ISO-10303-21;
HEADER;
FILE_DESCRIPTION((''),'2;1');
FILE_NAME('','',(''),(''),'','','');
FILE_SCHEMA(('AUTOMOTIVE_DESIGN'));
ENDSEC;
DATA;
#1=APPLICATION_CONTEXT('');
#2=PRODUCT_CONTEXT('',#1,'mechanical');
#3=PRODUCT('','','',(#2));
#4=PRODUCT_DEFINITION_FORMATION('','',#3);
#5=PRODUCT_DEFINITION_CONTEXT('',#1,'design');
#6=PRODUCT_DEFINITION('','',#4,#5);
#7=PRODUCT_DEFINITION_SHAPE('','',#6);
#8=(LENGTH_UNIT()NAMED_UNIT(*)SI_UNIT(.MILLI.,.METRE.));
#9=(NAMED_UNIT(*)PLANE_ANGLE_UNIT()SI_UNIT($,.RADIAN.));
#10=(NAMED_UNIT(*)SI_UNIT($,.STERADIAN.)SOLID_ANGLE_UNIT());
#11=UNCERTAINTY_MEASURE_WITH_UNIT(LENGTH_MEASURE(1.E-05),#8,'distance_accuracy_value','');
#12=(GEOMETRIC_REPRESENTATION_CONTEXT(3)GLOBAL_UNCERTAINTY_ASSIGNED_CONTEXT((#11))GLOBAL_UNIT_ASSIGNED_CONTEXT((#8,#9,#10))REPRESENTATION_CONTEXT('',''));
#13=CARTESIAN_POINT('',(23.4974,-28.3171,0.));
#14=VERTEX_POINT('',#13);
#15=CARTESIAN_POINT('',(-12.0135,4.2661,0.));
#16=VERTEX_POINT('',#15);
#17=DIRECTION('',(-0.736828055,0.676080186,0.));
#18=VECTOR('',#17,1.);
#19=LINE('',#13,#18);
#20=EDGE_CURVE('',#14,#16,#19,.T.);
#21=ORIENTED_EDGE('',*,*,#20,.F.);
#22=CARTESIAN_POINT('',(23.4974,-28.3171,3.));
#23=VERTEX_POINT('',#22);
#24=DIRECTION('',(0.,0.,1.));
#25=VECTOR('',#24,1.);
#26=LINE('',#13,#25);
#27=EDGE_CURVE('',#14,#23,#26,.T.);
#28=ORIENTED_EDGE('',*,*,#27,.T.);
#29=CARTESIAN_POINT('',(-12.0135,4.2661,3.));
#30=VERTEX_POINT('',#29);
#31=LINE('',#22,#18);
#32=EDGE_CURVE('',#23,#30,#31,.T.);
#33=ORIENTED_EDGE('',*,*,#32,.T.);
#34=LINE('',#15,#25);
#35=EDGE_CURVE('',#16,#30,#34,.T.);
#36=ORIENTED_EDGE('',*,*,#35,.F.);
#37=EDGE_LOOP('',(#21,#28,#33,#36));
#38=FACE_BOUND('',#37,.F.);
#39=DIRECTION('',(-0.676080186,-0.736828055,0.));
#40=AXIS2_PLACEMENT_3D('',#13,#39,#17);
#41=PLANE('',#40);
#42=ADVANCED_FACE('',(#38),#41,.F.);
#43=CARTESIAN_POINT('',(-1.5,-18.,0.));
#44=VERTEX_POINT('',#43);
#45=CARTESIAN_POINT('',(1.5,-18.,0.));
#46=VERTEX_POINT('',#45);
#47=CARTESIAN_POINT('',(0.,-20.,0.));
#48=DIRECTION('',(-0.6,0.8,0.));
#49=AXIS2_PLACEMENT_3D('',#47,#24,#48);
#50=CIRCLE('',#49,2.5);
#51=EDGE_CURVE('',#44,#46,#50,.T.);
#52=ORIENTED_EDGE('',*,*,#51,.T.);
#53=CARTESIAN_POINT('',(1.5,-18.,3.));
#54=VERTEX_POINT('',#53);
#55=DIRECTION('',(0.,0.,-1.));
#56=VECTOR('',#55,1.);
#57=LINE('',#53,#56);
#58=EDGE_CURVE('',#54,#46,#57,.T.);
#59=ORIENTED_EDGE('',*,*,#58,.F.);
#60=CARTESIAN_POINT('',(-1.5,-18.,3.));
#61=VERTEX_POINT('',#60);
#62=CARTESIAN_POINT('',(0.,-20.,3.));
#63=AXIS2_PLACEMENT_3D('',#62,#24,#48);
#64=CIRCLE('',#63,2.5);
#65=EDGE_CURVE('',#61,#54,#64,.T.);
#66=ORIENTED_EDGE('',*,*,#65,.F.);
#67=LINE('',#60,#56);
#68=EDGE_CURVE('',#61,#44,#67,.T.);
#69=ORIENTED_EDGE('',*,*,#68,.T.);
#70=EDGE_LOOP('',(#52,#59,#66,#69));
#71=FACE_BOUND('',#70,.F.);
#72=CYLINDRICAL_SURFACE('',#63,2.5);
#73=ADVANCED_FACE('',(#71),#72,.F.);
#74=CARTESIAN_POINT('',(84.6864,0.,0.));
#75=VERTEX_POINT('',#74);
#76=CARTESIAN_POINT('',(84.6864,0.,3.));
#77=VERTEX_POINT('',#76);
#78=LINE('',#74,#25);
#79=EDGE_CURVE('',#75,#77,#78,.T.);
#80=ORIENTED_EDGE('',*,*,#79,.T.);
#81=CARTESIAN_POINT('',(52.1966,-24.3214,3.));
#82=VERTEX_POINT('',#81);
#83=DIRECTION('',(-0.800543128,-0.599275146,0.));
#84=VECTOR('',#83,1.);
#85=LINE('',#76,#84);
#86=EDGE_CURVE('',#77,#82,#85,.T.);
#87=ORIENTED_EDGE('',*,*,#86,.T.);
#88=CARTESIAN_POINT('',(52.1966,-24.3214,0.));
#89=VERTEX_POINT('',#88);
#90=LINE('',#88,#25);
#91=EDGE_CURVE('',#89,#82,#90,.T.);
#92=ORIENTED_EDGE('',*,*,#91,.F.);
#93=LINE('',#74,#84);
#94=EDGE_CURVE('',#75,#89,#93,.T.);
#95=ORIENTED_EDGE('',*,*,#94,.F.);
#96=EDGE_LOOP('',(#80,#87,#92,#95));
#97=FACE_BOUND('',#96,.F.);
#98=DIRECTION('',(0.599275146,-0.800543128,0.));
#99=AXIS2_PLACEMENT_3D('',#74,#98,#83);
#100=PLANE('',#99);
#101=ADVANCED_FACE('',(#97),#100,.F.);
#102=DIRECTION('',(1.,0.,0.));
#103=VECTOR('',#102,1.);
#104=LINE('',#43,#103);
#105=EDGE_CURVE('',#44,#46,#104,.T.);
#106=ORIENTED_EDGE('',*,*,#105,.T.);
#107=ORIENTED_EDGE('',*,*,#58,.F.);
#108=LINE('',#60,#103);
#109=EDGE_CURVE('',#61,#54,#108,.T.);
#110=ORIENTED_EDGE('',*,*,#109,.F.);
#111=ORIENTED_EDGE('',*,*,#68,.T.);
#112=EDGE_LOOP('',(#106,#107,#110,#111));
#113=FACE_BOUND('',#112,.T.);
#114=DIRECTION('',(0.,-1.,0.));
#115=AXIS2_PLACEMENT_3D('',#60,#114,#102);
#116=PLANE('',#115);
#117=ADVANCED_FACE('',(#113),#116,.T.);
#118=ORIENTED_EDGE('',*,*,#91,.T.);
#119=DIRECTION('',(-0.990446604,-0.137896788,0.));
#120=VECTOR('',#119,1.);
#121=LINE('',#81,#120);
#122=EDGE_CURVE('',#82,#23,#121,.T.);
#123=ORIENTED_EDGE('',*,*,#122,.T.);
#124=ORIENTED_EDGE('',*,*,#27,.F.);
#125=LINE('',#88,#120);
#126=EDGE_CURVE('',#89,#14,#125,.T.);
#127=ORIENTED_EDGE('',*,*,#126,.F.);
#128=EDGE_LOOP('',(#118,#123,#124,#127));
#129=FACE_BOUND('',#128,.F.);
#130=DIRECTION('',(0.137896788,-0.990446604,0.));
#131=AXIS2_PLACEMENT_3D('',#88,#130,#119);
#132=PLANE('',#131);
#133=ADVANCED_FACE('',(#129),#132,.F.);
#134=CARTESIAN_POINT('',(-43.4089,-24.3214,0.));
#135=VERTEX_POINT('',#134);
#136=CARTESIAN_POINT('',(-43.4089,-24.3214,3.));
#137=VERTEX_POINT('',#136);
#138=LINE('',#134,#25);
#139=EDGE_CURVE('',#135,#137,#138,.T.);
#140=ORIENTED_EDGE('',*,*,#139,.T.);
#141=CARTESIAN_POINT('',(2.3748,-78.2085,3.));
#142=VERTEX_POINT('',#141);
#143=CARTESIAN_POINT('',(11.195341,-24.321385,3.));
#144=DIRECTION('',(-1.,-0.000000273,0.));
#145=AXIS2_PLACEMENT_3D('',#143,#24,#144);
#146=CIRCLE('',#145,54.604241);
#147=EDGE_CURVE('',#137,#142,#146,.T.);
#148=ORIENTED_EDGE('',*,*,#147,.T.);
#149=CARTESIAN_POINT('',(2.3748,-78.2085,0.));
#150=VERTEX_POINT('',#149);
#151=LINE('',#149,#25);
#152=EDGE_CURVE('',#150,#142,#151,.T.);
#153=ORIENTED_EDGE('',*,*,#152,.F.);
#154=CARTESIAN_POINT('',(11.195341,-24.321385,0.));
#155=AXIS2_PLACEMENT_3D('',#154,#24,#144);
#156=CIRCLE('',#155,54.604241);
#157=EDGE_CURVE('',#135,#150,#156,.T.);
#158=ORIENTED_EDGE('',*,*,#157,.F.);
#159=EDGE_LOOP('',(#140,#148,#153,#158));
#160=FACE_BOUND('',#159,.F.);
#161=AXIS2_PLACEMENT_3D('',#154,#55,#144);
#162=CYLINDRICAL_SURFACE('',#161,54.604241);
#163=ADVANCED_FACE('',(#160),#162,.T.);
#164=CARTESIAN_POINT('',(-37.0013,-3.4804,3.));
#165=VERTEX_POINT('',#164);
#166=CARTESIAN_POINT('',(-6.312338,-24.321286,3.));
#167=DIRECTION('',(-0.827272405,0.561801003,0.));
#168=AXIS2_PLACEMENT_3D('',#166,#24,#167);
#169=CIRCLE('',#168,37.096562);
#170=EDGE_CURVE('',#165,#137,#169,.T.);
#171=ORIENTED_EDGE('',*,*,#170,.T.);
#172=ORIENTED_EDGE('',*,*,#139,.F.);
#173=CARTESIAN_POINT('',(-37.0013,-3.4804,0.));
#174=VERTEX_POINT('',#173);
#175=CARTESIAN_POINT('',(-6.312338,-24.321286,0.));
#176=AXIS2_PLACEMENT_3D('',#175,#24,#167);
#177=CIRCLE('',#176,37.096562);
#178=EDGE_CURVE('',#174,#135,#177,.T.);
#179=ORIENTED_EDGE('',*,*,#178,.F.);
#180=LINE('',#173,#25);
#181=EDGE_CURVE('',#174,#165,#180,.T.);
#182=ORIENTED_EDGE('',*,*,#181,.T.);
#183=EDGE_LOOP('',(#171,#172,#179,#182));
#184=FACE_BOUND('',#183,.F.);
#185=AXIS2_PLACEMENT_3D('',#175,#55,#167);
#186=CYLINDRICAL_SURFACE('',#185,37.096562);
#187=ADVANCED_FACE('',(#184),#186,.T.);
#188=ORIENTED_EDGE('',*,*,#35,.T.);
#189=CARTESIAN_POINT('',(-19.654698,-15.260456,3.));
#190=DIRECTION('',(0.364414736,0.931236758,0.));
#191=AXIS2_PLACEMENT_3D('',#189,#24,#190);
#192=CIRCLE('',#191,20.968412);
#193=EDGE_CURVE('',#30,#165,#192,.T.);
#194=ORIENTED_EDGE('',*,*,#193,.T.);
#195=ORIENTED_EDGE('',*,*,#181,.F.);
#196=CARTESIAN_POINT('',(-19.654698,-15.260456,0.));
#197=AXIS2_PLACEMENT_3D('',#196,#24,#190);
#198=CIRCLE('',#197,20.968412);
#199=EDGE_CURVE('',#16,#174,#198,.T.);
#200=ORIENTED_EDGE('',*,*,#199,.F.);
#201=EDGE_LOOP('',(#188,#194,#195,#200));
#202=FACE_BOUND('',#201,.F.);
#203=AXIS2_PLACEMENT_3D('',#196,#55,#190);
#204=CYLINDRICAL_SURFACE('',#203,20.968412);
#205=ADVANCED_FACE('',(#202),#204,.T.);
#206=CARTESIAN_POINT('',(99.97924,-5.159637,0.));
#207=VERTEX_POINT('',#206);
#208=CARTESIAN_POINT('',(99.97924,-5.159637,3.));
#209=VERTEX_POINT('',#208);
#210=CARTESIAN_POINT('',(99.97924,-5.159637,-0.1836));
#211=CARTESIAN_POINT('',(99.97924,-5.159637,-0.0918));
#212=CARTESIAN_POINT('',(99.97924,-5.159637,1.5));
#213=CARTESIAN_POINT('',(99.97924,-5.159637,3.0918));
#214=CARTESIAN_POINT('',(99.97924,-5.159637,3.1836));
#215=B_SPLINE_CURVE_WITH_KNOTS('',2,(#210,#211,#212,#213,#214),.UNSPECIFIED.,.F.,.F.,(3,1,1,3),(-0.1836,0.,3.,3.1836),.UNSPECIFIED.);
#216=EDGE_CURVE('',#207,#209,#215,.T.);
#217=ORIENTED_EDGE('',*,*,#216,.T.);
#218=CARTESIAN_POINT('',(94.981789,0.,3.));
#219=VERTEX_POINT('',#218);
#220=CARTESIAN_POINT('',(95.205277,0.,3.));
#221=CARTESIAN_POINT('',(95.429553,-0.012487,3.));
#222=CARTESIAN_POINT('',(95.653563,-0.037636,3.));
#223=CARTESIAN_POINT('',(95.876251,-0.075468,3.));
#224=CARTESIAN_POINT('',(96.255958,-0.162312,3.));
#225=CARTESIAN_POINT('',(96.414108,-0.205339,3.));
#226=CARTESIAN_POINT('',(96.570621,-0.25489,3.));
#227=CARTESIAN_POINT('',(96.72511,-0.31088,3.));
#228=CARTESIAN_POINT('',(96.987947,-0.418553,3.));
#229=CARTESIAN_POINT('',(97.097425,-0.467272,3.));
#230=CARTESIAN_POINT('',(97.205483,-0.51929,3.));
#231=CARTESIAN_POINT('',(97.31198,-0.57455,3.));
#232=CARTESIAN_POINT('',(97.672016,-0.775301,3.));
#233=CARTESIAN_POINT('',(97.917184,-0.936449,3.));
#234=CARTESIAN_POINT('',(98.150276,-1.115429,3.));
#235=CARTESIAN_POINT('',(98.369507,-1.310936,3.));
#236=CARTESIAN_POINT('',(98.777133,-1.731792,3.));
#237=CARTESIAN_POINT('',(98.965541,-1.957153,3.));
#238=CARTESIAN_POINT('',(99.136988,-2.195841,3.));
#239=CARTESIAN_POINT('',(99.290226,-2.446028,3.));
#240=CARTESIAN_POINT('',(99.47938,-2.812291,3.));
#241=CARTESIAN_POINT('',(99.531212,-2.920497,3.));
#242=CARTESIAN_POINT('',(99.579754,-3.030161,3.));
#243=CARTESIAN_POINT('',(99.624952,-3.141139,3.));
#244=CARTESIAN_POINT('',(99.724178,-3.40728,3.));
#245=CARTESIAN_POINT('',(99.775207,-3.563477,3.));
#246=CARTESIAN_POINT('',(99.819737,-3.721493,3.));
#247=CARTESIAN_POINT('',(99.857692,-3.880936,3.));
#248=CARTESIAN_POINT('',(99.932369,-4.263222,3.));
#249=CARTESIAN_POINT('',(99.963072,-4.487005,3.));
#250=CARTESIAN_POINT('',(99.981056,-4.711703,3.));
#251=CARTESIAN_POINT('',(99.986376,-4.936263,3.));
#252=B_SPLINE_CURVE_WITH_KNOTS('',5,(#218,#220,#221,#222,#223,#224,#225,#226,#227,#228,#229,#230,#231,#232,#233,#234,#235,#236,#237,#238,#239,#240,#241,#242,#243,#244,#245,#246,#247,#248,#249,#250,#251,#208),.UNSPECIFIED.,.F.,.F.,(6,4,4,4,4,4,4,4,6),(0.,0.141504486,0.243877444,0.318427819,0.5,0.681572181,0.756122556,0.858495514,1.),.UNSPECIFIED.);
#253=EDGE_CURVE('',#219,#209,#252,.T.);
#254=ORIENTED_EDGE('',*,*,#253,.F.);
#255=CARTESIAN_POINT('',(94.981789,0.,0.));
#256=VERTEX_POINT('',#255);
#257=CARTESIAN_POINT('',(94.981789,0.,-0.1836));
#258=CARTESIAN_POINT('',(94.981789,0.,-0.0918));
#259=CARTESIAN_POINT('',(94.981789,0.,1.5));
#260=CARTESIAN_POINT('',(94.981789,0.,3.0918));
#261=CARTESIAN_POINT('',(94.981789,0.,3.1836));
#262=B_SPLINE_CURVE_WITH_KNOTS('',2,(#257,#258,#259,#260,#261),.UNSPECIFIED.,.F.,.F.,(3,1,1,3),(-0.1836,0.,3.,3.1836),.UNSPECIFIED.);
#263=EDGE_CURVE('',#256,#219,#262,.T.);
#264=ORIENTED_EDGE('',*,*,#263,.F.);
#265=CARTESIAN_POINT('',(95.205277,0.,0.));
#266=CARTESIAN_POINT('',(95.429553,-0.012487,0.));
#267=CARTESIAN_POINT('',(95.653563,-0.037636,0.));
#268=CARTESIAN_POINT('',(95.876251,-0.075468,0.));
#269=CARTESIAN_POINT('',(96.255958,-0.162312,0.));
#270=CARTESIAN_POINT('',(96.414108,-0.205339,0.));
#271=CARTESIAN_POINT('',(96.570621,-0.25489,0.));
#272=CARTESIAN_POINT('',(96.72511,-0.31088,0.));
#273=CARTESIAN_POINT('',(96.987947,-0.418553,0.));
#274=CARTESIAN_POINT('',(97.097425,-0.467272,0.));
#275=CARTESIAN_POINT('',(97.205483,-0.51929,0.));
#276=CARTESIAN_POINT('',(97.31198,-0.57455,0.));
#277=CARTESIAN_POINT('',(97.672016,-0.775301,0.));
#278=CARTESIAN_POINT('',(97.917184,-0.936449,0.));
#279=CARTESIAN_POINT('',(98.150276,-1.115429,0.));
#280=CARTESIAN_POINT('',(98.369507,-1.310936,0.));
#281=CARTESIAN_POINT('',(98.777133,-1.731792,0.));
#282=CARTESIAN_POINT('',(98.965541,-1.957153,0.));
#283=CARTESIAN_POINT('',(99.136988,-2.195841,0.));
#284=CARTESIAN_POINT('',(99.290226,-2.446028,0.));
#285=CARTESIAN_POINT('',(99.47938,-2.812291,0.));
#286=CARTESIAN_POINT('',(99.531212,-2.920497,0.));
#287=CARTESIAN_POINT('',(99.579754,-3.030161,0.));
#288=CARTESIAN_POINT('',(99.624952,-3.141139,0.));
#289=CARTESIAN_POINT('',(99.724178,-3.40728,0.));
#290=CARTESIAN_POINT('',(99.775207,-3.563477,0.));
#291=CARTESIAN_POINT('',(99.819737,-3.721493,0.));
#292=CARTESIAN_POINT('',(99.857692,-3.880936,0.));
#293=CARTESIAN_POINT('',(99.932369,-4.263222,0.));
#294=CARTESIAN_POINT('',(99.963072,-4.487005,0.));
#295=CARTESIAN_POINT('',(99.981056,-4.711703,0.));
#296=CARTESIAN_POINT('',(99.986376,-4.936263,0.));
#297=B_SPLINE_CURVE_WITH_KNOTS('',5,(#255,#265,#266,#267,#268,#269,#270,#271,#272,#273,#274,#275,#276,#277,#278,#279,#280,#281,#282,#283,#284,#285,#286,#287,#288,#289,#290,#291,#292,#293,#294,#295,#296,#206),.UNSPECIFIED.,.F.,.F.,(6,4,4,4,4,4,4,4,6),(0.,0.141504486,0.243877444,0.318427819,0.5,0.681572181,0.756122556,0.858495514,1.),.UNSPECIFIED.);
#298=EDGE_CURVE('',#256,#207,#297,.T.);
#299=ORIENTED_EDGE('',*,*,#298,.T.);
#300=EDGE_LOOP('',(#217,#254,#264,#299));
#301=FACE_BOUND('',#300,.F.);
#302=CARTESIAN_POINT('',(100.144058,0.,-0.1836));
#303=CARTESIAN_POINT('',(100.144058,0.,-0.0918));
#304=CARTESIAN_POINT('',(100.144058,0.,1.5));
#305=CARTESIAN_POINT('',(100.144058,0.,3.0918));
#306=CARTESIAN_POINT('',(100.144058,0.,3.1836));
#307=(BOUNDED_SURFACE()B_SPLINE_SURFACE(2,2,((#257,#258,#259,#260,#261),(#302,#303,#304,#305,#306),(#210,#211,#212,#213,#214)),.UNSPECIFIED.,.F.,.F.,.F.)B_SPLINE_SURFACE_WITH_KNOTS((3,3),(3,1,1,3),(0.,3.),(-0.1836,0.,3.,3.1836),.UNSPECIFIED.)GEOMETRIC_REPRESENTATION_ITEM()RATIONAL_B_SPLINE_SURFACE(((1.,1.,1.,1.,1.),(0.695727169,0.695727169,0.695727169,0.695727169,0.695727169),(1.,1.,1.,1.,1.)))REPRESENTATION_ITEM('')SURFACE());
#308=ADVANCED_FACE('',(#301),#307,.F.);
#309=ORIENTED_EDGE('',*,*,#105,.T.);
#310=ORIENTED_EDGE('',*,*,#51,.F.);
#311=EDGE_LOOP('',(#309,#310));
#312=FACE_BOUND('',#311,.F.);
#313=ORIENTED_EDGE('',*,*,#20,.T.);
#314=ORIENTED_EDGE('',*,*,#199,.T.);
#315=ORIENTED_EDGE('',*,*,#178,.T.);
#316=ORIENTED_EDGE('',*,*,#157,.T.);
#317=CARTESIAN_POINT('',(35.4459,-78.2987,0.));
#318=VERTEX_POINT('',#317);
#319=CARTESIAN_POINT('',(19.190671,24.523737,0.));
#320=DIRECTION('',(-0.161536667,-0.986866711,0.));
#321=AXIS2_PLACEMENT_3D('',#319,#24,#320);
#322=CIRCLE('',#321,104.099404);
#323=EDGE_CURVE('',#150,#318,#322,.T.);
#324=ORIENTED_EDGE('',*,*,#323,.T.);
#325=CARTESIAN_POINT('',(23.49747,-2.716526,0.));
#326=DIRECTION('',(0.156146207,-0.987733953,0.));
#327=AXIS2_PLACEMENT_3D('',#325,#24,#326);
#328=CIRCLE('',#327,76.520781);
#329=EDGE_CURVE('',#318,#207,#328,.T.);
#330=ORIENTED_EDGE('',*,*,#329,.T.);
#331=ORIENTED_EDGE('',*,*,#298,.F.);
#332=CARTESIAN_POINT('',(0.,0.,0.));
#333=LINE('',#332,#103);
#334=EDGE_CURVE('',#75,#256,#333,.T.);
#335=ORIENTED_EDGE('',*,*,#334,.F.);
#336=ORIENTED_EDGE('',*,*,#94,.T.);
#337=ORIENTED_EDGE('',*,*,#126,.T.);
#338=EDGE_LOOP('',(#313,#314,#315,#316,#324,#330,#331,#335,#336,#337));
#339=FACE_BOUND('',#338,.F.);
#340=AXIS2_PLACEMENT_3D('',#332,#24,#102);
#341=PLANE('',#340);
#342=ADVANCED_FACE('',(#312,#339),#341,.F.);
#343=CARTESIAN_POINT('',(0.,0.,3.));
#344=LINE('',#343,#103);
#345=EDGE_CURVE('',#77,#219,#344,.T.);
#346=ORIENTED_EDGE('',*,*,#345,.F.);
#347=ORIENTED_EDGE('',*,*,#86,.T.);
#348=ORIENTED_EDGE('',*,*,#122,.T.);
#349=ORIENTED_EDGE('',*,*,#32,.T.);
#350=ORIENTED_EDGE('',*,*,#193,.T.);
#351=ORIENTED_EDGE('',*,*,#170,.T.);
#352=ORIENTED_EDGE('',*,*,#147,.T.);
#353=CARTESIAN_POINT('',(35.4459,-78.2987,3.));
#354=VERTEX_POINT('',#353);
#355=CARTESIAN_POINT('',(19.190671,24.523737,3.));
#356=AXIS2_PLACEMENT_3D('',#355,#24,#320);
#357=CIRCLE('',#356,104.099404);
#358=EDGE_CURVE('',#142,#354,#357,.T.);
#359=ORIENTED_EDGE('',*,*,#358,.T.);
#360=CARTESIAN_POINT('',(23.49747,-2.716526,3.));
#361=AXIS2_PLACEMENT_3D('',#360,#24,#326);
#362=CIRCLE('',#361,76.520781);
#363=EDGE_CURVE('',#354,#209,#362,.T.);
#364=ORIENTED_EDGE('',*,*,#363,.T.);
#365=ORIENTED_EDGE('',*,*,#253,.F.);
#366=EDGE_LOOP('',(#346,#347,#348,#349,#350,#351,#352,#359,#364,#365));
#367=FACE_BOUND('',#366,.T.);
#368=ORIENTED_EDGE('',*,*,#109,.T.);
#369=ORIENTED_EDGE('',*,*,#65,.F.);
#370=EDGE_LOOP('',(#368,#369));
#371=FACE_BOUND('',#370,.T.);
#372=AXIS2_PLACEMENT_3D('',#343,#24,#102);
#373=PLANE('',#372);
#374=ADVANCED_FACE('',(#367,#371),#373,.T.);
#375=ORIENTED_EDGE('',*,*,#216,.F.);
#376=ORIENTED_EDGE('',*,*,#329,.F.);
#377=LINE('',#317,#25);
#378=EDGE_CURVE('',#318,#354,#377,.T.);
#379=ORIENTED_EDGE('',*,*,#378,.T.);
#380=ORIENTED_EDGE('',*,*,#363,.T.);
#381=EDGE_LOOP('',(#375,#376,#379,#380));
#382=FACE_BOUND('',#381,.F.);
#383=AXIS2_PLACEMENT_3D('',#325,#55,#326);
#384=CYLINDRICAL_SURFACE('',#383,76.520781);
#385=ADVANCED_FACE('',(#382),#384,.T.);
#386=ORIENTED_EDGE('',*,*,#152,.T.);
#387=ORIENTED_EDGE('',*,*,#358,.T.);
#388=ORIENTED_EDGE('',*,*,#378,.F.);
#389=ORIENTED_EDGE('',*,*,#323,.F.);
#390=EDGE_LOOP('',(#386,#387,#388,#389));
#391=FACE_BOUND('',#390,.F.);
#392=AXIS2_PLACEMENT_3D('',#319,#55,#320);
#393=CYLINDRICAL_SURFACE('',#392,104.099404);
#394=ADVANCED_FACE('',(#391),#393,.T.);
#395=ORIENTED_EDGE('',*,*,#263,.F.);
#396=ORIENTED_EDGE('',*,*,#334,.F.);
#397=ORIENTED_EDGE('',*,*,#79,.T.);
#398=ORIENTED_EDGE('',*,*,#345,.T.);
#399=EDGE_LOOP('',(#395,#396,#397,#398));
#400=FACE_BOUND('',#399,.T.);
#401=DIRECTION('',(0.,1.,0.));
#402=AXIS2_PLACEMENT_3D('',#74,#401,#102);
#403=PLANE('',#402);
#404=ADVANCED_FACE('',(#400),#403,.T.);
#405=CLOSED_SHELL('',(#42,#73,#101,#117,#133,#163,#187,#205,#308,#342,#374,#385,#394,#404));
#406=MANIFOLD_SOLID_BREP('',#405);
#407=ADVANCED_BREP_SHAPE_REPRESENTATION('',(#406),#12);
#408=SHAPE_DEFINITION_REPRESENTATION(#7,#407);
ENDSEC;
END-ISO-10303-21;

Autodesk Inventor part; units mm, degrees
ref_plane "YZ Plane" through (0, 0, 0) normal (1, 0, 0) x (0, 1, 0)
ref_plane "XZ Plane" through (0, 0, 0) normal (0, 1, 0) x (-1, 0, 0)
ref_plane "XY Plane" through (0, 0, 0) normal (0, 0, 1) x (1, 0, 0)
sketch "Sketch1" plane through (0, 0, 0) normal (0, 0, 1) x (1, 0, 0)
  line L0 (0, 0) -> (100, 0)
  arc A0 (100.0128, -3.6299) -> (100, 0) centre (-17.3055, -2.2293) ccw
  arc A1 (35.4459, -78.2987) -> (100.0128, -3.6299) centre (23.4974, -2.7164) ccw
  arc A2 (2.3748, -78.2085) -> (35.4459, -78.2987) centre (19.1908, 24.5253) ccw
  arc A3 (-43.4089, -24.3214) -> (2.3748, -78.2085) centre (11.1953, -24.3214) ccw
  arc A4 (-37.0013, -3.4804) -> (-43.4089, -24.3214) centre (-6.3121, -24.3214) ccw
  line L1 (84.6864, 0) -> (52.1966, -24.3214)
  line L2 (52.1966, -24.3214) -> (23.4974, -28.3171)
  line L3 (23.4974, -28.3171) -> (-12.0135, 4.2661)
  arc A5 (-12.0135, 4.2661) -> (-37.0013, -3.4804) centre (-19.6547, -15.2605) ccw
  point P0 (3.9425, 17.9592)
  dimension "d14" = 100
extrude "Extrusion1" add sketch "Sketch1" along normal blind 3
sketch "Sketch2" plane through (0, 0, 3) normal (0, 0, 1) x (1, 0, 0)
  arc A0 (-1.5, -18) -> (1.5, -18) centre (0, -20) ccw
  line L0 (-1.5, -18) -> (1.5, -18)
  point P0 (0, 0)
  dimension "d5" = 5
  dimension "d6" = 20
  dimension "d7" = 2
extrude "Extrusion2" cut sketch "Sketch2" against normal blind 3
fillet "Fillet7" radius 5 1 edges at (100, 0, 1.5)
properties part number "cam3"
